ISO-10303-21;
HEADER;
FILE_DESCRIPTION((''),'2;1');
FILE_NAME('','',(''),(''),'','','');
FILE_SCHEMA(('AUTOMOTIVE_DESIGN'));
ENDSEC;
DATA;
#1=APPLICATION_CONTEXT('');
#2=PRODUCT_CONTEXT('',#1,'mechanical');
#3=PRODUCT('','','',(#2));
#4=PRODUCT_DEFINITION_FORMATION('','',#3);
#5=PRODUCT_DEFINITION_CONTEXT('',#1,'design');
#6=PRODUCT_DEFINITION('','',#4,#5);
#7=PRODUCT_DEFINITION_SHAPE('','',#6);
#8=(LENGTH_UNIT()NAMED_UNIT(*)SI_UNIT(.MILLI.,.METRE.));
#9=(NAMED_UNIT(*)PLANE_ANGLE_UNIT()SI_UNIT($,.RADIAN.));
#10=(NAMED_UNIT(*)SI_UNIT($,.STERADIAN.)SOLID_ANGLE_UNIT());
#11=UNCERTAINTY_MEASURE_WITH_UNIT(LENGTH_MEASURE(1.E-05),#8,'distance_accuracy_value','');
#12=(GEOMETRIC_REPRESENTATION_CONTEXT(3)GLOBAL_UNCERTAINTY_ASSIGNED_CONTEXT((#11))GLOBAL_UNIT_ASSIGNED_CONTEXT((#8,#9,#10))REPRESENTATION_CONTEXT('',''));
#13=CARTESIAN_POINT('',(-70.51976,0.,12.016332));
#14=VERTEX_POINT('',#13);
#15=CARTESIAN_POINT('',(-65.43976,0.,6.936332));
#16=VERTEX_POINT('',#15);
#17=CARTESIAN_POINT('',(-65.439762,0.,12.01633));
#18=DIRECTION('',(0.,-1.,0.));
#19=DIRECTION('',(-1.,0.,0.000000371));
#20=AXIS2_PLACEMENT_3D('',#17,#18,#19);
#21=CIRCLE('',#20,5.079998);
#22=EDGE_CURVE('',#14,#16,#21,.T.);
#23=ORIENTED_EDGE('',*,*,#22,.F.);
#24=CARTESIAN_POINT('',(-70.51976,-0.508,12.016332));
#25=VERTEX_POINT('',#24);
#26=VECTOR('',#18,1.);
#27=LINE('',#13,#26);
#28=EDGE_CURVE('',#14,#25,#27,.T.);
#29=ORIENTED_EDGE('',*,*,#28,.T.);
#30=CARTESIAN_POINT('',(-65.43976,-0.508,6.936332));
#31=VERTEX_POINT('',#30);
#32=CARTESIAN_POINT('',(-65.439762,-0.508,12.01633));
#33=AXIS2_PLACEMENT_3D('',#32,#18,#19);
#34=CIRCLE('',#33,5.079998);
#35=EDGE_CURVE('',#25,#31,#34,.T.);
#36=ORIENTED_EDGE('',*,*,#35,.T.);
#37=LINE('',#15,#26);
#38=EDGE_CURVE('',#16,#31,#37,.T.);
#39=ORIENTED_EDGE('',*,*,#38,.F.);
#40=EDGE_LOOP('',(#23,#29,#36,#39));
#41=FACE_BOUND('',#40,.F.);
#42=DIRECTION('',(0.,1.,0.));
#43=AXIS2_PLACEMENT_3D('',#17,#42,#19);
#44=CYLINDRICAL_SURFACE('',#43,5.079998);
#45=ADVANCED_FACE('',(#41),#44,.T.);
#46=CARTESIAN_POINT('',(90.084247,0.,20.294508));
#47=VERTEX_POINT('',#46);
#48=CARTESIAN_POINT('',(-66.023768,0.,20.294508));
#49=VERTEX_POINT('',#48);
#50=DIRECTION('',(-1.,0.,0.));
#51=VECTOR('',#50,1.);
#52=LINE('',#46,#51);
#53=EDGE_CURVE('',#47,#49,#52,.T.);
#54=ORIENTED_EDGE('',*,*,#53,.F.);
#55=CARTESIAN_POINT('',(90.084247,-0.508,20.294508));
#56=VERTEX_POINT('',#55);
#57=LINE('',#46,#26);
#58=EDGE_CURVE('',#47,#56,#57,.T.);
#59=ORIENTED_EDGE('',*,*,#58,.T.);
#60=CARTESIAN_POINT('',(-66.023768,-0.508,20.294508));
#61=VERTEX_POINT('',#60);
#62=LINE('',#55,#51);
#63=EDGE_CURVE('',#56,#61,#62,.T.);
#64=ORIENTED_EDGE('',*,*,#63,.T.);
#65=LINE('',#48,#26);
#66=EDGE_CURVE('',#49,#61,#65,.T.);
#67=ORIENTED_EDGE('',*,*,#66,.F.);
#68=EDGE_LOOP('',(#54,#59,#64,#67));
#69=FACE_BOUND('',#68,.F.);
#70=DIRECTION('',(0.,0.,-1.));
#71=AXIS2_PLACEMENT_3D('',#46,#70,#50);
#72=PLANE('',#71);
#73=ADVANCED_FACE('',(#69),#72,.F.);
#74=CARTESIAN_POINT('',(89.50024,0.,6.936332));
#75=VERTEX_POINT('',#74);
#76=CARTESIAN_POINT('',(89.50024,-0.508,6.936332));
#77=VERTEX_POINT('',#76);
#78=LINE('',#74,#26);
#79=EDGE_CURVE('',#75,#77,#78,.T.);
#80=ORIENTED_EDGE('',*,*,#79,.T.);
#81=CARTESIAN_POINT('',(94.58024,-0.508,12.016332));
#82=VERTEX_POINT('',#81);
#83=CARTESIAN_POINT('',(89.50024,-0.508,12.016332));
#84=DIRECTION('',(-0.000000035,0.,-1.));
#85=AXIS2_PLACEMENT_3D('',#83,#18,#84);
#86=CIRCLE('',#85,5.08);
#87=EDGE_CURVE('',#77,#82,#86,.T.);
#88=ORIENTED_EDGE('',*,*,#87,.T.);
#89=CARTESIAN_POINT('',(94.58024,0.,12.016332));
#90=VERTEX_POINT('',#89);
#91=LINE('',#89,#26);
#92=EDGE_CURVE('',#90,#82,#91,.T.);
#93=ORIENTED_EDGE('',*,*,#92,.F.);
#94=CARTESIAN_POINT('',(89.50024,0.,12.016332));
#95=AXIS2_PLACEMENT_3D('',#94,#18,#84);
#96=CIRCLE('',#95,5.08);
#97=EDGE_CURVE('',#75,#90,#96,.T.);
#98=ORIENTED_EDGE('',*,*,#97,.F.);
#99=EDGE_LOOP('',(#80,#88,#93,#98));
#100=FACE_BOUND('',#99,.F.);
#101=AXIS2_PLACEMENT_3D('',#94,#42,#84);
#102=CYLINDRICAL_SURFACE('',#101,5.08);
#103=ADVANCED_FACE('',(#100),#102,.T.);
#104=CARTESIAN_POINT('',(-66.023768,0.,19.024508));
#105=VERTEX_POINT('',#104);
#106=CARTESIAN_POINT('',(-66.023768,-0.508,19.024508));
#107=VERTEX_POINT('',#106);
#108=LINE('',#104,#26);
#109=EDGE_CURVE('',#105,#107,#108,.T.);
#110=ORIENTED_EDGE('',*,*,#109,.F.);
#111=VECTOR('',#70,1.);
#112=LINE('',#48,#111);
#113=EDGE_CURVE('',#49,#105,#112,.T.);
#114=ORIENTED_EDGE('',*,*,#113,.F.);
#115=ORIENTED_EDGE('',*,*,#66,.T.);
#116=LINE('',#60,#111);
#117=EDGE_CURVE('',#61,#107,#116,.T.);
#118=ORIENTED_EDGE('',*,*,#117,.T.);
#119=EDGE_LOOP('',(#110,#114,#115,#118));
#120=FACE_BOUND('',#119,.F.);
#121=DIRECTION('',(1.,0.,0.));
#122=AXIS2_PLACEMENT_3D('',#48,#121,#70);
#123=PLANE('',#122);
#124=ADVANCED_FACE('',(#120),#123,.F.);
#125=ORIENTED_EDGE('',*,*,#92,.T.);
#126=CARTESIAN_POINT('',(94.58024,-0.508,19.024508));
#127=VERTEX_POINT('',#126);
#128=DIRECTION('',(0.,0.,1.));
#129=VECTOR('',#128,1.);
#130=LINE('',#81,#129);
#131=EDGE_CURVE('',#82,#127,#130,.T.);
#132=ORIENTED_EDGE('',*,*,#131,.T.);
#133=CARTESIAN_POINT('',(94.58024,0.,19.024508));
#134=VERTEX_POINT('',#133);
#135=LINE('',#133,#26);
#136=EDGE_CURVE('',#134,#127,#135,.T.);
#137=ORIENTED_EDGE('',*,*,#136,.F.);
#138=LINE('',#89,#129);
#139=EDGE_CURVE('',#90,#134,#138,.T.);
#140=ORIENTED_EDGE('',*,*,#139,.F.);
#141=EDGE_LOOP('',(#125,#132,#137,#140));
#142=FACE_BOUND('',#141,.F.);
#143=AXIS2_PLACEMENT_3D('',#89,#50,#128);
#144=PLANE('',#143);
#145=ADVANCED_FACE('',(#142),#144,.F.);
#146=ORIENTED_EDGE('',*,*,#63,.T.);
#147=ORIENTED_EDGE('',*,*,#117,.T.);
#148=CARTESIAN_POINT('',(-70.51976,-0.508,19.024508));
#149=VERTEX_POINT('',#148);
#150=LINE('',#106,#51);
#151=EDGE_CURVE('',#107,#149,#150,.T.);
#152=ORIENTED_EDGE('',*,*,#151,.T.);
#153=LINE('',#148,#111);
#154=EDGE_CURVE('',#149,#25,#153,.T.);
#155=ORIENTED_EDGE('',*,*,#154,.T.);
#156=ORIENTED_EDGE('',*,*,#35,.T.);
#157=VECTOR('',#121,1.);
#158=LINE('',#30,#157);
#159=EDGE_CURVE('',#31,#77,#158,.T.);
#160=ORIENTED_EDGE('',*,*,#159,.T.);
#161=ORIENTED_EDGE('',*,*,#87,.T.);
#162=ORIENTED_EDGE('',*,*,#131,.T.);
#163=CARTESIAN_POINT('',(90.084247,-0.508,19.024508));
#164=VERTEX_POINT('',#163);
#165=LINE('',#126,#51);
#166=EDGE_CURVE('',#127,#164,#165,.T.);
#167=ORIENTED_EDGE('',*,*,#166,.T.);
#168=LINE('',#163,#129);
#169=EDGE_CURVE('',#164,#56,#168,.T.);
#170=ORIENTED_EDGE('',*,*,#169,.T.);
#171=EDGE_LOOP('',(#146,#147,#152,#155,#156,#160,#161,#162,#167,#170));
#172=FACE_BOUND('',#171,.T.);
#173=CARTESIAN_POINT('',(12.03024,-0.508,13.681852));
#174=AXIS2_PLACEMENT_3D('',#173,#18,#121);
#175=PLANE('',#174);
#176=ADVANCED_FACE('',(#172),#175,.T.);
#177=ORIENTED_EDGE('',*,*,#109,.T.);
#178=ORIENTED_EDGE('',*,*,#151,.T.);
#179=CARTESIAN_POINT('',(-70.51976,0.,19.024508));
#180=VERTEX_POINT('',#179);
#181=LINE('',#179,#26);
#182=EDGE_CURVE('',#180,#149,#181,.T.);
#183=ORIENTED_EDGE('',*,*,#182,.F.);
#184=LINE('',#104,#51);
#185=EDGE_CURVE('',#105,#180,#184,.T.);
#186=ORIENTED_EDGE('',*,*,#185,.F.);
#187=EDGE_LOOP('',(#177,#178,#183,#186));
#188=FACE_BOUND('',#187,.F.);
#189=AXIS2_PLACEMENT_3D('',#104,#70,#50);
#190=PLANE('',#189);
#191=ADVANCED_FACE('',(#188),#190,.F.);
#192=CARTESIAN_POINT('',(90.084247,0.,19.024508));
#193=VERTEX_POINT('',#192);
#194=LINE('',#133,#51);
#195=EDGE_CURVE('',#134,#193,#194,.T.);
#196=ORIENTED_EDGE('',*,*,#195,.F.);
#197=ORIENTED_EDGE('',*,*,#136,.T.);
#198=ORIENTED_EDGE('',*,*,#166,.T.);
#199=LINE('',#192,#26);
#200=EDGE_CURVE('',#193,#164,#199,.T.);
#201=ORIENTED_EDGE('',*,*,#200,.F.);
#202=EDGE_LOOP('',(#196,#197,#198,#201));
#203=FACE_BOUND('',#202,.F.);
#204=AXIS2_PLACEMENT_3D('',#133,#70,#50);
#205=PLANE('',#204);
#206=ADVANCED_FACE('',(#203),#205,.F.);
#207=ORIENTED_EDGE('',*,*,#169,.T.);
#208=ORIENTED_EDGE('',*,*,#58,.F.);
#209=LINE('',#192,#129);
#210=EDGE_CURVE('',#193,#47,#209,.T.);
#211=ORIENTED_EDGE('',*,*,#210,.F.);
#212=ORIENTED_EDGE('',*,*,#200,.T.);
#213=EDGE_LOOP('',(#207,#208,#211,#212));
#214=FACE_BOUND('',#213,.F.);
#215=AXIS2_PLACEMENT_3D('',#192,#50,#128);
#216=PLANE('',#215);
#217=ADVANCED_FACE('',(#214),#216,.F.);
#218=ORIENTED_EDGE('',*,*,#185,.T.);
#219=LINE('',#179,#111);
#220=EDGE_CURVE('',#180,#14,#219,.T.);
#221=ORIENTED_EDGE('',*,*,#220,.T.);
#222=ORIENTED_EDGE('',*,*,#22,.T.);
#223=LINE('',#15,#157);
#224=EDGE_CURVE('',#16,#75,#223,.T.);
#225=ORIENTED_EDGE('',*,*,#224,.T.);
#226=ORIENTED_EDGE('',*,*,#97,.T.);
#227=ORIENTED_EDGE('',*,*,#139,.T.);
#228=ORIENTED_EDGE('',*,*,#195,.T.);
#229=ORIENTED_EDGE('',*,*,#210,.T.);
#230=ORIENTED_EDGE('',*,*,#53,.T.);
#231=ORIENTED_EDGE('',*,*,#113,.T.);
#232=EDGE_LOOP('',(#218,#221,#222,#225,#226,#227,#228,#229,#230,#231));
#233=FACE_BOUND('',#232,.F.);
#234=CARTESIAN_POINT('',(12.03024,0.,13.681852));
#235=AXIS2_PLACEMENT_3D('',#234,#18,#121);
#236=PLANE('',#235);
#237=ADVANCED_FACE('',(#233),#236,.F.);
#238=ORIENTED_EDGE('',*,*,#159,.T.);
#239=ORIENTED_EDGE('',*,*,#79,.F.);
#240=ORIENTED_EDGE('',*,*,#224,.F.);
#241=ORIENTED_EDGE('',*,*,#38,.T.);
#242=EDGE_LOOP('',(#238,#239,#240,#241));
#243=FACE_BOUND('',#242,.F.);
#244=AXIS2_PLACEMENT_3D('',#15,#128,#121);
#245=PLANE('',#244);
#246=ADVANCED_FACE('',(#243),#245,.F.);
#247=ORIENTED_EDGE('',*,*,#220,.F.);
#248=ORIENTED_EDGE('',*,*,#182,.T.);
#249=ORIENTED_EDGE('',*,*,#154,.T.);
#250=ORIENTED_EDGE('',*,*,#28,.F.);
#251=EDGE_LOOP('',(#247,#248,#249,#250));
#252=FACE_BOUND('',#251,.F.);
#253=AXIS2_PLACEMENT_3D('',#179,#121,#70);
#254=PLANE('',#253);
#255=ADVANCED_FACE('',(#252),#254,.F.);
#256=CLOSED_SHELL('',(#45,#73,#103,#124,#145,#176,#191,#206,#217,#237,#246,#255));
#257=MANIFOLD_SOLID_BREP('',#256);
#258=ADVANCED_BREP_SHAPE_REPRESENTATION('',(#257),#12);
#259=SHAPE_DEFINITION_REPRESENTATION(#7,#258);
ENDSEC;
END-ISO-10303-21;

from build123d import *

# Parameters (mm, degrees)
F1_DEPTH = 0.508


with BuildPart() as f1:
    # F0 (on Front) → F1 (new body)
    with BuildSketch(Plane.XZ):
        with BuildLine():
            Line((-66.023768, 19.024508), (-70.51976, 19.024508))
            Line((-70.51976, 19.024508), (-70.51976, 12.016332))
            ThreePointArc((-70.51976, 12.016332), (-69.031863, 8.424229), (-65.43976, 6.936332))
            Line((-65.43976, 6.936332), (89.50024, 6.936332))
            ThreePointArc((89.50024, 6.936332), (93.092342, 8.424229), (94.58024, 12.016332))
            Line((94.58024, 12.016332), (94.58024, 14.556332))
            Line((94.58024, 14.556332), (94.58024, 19.024508))
            Line((94.58024, 19.024508), (90.084247, 19.024508))
            Line((90.084247, 19.024508), (90.084247, 20.294508))
            Line((90.084247, 20.294508), (-66.023768, 20.294508))
            Line((-66.023768, 20.294508), (-66.023768, 19.024508))
        make_face()
    extrude(amount=F1_DEPTH)


solid = f1.part
